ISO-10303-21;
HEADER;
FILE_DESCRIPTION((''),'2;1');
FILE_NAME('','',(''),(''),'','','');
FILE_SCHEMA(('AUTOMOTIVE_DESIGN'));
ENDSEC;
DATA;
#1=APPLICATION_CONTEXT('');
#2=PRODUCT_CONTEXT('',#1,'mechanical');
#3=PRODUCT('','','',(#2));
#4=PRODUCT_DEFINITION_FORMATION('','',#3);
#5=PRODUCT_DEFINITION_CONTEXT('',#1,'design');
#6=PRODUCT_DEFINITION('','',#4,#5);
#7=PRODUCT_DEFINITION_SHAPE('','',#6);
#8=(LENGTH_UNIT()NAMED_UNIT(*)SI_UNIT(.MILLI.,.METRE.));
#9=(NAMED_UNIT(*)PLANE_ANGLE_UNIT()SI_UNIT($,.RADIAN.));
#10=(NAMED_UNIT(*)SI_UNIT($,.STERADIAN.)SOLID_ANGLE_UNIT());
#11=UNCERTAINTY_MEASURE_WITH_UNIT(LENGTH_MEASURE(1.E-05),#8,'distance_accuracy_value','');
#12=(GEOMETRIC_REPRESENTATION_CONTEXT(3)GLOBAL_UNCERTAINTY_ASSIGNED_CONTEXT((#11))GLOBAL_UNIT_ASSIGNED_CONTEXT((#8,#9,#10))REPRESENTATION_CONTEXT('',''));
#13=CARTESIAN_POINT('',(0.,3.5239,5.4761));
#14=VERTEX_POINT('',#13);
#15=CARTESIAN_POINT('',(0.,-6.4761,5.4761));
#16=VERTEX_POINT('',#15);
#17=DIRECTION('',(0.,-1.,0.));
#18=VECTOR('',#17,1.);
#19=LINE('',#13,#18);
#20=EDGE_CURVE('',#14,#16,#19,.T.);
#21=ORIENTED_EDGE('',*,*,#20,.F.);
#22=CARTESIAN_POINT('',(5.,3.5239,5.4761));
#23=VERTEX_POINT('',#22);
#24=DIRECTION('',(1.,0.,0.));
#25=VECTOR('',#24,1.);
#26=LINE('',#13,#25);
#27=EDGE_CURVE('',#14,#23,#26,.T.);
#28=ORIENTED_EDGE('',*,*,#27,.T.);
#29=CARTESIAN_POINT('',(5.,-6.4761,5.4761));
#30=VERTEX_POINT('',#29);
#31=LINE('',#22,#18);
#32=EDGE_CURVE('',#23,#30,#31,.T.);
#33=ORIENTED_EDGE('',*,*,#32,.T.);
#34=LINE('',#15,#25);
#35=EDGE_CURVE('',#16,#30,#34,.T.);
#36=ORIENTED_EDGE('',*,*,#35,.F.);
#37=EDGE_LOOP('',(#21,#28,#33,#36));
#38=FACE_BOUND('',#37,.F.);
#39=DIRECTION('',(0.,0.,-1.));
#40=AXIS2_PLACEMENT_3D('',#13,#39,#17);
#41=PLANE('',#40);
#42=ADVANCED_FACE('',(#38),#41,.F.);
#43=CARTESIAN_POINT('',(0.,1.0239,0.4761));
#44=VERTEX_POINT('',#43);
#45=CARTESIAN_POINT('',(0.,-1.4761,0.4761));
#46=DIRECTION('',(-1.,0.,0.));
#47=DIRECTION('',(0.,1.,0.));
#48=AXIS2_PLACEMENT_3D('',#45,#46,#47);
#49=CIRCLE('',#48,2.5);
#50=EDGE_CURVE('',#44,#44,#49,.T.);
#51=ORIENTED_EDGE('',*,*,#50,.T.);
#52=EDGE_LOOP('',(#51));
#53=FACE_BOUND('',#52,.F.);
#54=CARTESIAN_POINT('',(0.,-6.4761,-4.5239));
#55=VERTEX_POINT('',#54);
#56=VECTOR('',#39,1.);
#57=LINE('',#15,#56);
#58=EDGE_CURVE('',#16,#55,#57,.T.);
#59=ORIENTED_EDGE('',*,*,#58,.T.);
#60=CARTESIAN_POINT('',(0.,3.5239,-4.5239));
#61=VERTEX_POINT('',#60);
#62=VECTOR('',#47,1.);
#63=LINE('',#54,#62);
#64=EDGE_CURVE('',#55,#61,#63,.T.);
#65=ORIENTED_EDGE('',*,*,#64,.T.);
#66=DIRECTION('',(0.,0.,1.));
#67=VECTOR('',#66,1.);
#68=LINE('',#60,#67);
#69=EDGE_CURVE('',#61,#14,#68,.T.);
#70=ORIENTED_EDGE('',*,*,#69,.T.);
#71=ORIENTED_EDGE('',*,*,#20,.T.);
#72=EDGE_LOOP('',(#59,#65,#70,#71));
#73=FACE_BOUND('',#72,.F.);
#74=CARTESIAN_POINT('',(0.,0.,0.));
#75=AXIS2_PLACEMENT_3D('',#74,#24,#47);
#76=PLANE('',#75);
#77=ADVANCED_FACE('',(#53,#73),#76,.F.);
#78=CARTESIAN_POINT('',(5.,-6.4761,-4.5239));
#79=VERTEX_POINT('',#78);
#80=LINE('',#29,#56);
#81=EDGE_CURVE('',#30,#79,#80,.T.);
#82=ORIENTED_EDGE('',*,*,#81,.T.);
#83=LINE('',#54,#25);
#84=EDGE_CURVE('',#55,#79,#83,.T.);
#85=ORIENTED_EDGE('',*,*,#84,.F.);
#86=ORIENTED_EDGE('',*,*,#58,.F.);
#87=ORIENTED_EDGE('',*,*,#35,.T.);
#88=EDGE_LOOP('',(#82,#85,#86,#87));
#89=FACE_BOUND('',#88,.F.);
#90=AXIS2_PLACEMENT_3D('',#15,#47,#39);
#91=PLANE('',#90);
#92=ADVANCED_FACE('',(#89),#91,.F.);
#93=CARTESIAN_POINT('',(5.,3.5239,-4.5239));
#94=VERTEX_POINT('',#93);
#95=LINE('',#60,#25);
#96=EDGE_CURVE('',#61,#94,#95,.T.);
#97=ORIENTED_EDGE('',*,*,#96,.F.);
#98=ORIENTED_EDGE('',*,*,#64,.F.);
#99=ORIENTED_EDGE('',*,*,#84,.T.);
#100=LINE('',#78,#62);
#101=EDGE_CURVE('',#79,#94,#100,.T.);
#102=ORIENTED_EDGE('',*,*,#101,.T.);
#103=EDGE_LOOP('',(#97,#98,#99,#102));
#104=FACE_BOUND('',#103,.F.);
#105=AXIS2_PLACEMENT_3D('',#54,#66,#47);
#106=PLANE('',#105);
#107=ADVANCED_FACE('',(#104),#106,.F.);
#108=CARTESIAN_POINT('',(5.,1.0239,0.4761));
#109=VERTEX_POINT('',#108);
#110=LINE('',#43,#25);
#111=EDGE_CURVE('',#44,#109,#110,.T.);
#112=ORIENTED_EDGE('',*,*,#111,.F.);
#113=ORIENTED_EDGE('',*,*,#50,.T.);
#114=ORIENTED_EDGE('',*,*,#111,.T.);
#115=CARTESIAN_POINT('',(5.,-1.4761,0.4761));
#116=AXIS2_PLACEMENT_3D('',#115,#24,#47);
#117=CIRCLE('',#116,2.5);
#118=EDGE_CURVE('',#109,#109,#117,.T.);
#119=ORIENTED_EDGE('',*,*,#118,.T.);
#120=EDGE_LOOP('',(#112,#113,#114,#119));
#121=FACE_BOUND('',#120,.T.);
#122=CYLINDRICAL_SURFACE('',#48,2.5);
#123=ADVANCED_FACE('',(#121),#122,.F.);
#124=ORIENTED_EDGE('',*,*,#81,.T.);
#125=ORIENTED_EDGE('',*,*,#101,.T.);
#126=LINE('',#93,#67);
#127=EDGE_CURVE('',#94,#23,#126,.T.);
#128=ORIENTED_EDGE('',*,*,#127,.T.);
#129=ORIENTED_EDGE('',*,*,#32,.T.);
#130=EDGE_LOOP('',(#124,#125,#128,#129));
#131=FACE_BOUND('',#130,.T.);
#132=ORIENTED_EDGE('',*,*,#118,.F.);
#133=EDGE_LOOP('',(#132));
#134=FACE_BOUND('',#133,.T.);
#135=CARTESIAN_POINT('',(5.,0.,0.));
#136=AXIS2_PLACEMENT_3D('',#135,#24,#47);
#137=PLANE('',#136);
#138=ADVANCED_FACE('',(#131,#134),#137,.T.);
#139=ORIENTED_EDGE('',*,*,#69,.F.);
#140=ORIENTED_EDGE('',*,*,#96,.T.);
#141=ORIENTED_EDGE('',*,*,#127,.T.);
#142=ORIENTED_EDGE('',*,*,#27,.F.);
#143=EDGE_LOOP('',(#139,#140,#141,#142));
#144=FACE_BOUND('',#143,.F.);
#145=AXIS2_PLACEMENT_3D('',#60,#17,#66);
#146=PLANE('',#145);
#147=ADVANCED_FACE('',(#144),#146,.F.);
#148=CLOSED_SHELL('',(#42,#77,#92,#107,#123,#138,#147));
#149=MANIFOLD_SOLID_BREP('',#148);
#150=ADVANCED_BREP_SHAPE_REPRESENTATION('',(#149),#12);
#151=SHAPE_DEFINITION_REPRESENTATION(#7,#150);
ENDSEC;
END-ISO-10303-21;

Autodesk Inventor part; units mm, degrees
ref_plane "YZ Plane" through (0, 0, 0) normal (1, 0, 0) x (0, 1, 0)
ref_plane "XZ Plane" through (0, 0, 0) normal (0, 1, 0) x (-1, 0, 0)
ref_plane "XY Plane" through (0, 0, 0) normal (0, 0, 1) x (1, 0, 0)
sketch "Sketch1" plane through (0, 0, 0) normal (1, 0, 0) x (0, 1, 0)
  line L0 (3.5239, 5.4761) -> (-6.4761, 5.4761)
  line L1 (-6.4761, 5.4761) -> (-6.4761, -4.5239)
  line L2 (-6.4761, -4.5239) -> (3.5239, -4.5239)
  line L3 (3.5239, -4.5239) -> (3.5239, 5.4761)
  circle A0 centre (-1.4761, 0.4761) radius 2.5
  line L4 (3.5239, 5.4761) -> (-6.4761, -4.5239)
  point P0 (0, 0)
  dimension "d0" = 10
  dimension "d1" = 10
  dimension "d2" = 5
extrude "Extrusion1" add sketch "Sketch1" along normal blind 5 contours L4 A0 L1 L0 | L3 L2 L4 A0
properties part number "axis1" material "Copper, Alloy"
